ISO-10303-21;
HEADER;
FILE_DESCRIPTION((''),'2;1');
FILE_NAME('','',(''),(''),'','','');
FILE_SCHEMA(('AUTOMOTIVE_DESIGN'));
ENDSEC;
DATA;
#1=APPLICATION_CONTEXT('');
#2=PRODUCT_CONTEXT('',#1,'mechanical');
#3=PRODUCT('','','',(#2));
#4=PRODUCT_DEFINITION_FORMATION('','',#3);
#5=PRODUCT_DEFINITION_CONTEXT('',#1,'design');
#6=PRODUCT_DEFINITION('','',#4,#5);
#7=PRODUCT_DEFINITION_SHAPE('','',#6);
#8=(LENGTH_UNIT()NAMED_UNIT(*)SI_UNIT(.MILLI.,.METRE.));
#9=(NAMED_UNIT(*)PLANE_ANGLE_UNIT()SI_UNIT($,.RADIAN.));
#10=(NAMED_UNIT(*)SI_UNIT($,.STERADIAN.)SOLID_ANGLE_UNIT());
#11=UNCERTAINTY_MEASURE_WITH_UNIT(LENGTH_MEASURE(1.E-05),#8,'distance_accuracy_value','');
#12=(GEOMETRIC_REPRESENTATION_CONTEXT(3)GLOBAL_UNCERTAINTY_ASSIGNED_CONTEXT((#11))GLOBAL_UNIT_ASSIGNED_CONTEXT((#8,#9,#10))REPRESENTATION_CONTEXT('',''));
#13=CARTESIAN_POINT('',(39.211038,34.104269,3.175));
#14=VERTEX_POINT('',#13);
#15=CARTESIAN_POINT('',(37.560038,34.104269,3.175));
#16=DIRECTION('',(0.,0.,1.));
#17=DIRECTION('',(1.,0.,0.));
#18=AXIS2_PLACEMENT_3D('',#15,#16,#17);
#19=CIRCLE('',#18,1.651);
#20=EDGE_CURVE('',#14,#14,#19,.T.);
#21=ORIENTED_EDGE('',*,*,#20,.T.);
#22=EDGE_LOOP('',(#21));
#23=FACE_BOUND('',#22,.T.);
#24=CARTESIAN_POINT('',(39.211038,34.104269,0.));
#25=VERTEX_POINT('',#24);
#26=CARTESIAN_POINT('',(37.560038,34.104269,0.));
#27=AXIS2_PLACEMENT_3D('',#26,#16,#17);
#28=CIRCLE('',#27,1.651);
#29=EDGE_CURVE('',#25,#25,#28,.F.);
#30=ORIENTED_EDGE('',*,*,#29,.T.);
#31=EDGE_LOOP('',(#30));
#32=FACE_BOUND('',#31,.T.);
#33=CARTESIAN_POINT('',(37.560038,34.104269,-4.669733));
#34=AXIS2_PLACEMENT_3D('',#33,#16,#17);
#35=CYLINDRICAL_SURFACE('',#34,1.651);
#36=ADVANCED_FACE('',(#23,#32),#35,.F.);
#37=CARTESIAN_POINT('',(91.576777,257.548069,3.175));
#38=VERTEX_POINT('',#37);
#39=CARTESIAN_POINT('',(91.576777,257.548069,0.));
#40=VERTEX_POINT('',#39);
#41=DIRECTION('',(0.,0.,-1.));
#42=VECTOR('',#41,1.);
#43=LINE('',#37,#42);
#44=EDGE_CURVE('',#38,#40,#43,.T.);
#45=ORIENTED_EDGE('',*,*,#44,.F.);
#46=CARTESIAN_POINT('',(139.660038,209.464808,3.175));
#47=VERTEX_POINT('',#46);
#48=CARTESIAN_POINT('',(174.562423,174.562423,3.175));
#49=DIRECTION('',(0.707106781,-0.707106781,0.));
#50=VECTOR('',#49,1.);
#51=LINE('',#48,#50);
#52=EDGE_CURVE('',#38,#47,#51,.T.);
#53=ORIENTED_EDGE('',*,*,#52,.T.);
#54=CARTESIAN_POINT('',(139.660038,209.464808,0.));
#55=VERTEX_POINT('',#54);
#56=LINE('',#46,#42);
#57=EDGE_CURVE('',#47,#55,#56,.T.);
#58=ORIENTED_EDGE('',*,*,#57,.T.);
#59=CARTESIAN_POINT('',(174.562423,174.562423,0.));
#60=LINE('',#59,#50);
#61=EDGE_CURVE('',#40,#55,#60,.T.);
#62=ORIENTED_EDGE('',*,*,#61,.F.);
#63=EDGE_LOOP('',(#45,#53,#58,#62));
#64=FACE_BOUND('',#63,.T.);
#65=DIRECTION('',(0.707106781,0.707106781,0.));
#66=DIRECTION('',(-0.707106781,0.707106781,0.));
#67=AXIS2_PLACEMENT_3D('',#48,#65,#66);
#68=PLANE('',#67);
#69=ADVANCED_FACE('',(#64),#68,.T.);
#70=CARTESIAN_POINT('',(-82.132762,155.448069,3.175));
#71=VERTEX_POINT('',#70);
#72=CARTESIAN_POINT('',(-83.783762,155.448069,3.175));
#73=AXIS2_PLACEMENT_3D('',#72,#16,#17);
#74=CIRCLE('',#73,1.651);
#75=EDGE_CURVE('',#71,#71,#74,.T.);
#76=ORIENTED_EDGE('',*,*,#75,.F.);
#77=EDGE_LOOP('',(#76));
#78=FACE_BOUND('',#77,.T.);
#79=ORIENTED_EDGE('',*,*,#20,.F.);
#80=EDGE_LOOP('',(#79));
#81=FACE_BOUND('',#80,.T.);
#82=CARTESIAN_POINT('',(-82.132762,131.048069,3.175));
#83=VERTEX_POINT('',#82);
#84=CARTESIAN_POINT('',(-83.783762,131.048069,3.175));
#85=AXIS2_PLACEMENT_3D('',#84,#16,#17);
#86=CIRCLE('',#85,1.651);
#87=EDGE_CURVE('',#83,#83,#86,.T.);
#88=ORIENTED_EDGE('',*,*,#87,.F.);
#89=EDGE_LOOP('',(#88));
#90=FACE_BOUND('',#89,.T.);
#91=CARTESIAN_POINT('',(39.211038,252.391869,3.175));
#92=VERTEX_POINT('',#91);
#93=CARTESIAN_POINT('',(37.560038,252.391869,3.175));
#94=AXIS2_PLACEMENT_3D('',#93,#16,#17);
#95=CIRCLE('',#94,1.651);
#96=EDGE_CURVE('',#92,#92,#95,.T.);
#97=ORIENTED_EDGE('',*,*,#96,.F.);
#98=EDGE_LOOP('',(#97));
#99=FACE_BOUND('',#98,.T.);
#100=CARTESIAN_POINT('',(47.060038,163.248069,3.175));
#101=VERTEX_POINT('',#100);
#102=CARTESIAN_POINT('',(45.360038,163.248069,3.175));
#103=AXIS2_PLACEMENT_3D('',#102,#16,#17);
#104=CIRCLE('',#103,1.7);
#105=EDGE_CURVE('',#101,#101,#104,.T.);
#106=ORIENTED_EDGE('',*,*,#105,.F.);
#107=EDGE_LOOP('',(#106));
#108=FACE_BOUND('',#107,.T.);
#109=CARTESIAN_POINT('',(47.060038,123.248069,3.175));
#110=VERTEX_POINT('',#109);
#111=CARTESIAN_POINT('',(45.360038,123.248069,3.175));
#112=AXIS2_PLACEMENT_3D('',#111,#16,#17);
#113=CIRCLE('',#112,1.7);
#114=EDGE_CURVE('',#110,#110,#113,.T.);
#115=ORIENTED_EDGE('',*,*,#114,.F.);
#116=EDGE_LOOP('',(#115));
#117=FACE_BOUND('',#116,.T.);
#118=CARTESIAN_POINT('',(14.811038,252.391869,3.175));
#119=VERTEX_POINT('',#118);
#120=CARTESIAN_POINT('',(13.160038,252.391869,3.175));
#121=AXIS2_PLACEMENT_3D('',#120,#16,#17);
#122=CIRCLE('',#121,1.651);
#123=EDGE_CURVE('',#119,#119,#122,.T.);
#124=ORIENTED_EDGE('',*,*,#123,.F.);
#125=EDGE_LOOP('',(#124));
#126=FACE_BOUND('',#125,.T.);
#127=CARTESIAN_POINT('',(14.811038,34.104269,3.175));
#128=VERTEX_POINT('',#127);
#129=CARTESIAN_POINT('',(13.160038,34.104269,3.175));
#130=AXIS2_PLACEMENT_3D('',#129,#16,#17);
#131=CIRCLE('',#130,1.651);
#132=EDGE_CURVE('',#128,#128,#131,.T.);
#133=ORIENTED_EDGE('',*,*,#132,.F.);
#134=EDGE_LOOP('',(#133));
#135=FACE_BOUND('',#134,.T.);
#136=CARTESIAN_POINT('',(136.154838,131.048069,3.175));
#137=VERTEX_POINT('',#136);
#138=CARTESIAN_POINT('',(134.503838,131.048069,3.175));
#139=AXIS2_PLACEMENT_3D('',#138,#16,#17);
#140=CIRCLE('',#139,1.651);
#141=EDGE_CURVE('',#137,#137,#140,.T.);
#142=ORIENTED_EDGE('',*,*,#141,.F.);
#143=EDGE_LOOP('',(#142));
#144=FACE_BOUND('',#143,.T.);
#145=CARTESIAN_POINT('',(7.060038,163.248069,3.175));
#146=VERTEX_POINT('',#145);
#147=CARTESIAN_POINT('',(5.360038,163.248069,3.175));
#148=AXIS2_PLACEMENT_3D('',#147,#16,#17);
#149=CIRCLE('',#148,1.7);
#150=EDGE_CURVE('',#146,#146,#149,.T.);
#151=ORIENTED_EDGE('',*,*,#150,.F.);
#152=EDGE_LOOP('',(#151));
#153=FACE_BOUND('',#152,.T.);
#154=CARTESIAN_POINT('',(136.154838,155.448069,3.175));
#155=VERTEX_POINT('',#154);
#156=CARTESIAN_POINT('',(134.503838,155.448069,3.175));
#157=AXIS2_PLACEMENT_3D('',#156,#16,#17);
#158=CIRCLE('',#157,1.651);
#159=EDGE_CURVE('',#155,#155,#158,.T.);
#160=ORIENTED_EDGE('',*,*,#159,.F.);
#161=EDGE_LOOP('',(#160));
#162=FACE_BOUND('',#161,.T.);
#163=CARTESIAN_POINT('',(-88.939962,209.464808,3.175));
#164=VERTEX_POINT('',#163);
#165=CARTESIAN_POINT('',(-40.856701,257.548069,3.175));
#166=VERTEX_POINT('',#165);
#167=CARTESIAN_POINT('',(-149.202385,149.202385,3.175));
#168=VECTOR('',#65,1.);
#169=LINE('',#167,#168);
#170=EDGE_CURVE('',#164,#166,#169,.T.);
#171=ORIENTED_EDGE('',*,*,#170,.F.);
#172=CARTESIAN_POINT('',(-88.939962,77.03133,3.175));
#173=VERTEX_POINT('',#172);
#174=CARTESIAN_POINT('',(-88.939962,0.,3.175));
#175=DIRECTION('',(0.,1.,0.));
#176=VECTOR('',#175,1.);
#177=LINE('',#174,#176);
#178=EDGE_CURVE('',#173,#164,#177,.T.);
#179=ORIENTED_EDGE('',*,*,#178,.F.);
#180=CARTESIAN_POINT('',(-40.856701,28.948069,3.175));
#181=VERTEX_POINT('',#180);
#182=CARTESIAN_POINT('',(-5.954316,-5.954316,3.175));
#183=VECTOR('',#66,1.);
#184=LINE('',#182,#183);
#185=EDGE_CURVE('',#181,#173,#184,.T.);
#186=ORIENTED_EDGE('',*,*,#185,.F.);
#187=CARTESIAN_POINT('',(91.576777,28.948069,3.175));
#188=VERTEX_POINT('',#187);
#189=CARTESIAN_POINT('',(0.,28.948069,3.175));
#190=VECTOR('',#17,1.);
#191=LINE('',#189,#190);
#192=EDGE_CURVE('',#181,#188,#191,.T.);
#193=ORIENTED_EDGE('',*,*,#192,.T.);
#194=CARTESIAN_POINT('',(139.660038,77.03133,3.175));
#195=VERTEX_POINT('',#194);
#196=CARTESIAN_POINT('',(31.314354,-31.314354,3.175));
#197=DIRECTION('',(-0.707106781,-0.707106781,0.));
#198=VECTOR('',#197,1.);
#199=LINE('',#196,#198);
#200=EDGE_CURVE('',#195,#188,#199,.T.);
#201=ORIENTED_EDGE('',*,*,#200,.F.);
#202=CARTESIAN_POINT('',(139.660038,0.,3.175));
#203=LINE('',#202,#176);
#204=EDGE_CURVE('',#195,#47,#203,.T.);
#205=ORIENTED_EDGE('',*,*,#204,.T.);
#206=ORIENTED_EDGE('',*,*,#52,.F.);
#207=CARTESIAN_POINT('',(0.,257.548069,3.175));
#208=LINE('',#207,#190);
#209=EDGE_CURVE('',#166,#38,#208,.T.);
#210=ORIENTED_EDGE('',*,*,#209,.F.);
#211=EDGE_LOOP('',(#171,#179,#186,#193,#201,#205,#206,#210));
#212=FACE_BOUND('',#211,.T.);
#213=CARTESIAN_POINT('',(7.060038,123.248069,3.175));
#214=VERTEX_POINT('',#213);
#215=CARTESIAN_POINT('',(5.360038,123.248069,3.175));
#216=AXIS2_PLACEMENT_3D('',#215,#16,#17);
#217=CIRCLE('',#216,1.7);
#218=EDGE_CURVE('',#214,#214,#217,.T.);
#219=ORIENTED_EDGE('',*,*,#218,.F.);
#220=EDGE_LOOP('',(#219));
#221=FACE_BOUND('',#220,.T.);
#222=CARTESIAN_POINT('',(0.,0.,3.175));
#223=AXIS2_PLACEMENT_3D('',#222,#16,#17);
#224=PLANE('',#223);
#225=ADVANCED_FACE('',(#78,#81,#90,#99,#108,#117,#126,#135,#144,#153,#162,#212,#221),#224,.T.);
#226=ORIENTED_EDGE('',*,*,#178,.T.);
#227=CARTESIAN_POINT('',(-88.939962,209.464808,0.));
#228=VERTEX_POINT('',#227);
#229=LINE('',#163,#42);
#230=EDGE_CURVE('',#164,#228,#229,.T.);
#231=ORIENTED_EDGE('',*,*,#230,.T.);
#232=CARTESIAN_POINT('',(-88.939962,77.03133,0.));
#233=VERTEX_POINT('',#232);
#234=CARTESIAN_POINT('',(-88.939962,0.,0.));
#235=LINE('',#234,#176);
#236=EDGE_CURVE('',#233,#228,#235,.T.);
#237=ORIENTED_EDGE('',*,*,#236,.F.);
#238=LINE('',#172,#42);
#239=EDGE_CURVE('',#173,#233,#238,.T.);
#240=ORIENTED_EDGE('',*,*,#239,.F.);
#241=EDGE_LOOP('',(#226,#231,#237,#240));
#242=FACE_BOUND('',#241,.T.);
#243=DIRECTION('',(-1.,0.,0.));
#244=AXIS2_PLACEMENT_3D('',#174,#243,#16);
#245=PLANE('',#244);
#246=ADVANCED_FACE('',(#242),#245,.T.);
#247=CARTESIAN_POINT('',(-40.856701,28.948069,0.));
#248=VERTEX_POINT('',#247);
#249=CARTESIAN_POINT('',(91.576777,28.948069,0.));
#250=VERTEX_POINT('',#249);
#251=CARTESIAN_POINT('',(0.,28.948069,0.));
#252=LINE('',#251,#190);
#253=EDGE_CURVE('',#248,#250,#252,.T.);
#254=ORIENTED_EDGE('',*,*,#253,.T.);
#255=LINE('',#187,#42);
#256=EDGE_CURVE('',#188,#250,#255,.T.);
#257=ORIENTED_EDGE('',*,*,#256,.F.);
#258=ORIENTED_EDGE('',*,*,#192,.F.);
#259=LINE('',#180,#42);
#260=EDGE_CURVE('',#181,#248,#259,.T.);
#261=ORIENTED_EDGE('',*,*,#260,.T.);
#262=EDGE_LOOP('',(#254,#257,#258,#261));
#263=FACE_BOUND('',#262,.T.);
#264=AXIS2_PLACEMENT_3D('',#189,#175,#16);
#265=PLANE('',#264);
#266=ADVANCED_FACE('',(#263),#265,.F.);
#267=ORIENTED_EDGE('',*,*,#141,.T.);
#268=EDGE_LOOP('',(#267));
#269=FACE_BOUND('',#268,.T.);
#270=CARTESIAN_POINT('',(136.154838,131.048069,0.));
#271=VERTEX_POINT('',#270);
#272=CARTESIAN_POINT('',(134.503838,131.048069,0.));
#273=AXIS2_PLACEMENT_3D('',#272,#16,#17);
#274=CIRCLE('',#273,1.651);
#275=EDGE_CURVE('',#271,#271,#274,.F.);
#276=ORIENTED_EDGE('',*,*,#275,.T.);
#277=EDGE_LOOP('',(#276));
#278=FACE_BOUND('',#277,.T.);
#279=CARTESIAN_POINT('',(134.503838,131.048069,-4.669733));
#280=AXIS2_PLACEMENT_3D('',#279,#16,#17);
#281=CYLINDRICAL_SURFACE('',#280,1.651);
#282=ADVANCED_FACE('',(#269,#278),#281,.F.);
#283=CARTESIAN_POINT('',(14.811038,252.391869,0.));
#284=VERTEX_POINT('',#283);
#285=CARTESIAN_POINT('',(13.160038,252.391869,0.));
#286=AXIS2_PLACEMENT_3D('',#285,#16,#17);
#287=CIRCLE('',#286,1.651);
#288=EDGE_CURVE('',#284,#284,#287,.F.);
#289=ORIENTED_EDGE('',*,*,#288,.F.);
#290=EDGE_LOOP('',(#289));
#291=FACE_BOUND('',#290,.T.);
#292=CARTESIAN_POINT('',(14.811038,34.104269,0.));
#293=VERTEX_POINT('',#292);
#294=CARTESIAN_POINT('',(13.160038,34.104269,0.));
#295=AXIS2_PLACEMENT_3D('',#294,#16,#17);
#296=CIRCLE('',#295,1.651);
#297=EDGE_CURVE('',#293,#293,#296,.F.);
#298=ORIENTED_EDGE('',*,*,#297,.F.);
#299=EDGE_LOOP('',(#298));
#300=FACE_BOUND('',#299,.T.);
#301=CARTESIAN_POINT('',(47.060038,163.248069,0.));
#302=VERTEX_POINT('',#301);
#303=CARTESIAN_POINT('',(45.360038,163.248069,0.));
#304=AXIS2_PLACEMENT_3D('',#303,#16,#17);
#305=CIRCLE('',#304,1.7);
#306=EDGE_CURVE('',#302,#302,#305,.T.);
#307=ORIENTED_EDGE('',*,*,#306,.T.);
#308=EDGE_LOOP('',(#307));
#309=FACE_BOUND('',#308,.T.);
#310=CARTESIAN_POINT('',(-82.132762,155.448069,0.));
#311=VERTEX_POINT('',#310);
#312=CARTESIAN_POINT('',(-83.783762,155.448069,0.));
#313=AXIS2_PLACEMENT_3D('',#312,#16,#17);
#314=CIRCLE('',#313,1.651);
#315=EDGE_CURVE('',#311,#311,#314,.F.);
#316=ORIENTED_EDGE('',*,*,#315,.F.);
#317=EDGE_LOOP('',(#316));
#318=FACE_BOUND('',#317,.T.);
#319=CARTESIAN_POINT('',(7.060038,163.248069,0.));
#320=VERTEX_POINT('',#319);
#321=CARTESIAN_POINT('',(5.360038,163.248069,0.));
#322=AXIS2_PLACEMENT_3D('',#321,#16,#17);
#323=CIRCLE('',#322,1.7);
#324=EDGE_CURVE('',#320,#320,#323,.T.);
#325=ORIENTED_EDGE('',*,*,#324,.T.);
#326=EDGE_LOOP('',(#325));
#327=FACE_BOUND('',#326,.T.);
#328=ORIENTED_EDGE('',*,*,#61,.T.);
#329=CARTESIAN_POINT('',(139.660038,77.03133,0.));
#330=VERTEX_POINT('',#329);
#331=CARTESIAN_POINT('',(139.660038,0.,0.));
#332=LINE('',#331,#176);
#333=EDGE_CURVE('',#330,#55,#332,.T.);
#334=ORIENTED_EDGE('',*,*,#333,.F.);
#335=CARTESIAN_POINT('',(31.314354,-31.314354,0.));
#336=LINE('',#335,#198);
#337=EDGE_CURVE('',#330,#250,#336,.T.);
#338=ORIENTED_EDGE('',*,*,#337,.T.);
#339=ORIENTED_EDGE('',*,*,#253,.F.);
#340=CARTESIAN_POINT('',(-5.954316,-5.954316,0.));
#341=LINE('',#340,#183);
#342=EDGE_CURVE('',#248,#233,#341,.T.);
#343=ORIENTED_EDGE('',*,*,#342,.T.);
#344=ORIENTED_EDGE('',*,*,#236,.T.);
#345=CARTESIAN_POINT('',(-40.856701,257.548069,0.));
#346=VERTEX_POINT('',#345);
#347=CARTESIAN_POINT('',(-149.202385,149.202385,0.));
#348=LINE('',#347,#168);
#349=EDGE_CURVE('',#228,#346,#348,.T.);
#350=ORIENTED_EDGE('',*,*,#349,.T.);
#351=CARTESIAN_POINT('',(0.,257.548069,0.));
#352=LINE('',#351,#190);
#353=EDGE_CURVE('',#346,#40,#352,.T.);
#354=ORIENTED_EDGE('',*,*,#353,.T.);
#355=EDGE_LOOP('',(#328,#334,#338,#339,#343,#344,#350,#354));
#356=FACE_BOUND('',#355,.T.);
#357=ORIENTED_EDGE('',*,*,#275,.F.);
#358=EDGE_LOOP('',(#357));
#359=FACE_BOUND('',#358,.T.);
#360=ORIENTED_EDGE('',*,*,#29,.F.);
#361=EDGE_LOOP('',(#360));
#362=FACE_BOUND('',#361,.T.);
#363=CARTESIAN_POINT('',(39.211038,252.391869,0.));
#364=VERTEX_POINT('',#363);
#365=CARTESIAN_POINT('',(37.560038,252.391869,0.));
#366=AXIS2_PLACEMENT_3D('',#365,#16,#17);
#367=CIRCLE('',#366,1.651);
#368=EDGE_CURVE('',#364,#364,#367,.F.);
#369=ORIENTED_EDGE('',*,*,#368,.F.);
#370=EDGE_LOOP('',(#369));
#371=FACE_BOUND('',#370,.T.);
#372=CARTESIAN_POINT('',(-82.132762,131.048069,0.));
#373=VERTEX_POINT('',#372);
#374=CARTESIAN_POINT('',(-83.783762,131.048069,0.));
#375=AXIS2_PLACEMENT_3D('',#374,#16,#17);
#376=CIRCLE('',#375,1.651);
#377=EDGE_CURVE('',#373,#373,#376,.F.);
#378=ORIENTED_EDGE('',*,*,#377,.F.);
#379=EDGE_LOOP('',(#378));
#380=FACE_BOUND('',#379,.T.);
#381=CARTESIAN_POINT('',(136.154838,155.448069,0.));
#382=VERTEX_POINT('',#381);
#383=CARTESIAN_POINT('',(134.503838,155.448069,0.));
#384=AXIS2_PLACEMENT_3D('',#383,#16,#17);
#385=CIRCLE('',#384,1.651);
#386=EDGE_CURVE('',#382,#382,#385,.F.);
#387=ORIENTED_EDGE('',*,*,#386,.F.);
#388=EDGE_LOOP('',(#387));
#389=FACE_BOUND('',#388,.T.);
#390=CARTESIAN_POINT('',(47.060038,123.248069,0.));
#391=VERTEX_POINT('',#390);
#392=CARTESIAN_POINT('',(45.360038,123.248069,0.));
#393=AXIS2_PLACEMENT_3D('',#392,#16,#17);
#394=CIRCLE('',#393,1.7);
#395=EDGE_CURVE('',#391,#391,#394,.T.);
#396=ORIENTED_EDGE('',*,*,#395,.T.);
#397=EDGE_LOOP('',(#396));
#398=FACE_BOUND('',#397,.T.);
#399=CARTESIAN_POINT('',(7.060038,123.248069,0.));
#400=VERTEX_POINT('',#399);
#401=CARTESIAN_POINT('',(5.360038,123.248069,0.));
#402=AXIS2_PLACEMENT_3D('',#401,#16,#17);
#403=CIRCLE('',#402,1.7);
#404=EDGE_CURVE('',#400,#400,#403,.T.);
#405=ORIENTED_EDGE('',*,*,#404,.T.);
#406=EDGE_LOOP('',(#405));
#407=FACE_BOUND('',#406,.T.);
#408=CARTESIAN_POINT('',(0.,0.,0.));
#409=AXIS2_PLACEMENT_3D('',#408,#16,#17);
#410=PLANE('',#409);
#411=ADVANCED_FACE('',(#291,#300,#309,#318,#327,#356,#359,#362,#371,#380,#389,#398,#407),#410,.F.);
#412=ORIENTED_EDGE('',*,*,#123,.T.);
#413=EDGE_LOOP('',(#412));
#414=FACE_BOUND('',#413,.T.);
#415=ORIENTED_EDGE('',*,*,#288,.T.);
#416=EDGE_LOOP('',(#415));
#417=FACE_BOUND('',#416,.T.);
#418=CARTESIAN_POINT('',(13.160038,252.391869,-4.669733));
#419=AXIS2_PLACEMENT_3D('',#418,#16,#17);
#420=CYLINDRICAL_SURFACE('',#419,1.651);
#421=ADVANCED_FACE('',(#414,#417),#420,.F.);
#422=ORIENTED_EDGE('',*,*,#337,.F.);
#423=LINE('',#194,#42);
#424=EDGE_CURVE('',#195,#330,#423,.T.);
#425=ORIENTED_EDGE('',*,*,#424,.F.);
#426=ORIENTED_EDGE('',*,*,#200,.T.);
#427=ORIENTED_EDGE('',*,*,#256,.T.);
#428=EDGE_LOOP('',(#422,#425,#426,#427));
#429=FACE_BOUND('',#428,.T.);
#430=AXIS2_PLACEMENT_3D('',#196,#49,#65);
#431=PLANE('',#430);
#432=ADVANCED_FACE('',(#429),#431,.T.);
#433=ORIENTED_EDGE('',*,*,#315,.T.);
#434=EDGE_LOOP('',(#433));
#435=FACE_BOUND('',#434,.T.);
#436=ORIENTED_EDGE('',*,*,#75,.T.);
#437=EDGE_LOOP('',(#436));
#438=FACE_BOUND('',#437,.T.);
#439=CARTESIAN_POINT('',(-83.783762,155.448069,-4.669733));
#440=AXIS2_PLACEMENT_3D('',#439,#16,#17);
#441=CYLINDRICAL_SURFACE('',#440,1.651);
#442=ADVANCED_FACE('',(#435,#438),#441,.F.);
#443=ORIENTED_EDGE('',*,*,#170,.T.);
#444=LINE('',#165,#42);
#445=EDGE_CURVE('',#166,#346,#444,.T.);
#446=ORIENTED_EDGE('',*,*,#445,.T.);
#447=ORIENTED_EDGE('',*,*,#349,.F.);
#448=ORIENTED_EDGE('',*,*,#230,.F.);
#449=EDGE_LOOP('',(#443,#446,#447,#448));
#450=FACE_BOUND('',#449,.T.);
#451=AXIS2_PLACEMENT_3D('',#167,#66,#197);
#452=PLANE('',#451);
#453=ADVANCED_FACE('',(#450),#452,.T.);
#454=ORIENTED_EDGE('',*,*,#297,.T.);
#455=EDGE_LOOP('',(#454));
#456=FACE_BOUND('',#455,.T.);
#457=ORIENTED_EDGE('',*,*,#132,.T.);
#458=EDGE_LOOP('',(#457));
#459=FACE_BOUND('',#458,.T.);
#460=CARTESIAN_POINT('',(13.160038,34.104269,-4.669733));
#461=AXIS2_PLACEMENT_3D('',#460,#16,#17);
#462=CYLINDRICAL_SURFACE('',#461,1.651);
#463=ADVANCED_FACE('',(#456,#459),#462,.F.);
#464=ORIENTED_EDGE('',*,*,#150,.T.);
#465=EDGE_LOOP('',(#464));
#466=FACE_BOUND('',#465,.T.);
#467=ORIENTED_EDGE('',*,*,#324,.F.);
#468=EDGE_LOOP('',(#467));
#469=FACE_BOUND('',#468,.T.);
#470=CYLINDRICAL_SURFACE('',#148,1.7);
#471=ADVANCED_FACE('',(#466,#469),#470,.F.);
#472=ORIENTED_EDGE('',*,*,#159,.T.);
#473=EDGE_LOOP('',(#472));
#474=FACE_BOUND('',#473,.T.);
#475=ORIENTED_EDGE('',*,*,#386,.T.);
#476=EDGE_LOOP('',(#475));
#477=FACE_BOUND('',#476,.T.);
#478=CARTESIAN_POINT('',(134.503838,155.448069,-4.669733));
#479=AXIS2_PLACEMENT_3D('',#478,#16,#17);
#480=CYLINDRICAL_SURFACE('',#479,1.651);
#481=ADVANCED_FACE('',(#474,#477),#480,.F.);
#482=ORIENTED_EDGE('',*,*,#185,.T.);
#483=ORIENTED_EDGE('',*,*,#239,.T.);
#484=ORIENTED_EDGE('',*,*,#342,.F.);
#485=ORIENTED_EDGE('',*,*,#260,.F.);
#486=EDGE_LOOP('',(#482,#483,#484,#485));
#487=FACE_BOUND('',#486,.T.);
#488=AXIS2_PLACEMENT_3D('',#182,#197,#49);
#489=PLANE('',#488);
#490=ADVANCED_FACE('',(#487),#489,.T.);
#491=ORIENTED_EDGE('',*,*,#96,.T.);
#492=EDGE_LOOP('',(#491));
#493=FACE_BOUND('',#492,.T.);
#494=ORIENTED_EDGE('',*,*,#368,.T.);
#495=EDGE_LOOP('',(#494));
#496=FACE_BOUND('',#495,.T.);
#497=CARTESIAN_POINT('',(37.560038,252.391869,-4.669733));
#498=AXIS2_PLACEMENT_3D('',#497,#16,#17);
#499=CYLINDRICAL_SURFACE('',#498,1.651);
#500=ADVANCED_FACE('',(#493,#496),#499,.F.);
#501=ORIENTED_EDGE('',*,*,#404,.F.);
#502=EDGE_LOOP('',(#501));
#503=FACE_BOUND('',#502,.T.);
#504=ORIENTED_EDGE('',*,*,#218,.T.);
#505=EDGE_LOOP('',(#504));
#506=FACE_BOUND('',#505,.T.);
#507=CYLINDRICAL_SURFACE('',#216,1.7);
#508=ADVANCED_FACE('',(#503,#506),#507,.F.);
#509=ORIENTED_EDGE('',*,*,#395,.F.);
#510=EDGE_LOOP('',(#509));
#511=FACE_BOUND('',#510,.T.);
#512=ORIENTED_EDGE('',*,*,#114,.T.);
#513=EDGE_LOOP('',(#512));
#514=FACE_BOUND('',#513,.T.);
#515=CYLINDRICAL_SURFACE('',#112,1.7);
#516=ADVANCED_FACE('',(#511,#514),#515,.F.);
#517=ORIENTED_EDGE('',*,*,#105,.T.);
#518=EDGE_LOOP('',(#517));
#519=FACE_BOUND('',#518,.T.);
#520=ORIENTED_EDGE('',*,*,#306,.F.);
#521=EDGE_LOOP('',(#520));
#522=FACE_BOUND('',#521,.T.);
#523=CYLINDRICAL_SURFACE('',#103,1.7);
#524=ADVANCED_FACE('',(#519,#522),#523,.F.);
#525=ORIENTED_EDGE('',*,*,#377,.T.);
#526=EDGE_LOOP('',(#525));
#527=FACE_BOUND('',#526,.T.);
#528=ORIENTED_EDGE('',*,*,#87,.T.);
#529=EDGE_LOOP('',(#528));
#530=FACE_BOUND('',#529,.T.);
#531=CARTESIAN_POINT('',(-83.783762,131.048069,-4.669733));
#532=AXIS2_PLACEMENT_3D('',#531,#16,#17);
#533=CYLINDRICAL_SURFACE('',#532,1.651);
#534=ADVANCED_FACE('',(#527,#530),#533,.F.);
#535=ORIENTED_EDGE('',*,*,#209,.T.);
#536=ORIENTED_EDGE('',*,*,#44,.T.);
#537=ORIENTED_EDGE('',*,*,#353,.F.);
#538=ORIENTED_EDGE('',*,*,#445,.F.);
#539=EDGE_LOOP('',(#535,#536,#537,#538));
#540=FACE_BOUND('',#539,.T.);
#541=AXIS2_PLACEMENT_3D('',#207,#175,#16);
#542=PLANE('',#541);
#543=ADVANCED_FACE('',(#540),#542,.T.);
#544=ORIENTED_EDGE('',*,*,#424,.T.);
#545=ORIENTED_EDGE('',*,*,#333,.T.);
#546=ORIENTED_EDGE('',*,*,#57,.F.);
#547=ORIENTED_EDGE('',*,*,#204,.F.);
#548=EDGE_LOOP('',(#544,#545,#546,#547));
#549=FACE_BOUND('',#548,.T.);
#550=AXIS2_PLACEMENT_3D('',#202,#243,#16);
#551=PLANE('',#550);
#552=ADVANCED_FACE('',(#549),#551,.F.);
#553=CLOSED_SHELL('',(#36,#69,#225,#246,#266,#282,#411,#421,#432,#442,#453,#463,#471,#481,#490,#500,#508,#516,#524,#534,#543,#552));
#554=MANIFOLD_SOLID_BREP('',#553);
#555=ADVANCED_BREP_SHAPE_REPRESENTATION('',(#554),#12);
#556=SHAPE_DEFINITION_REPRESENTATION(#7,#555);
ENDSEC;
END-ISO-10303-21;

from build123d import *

# Parameters (mm, degrees)
BOSS_EXTRUDE1_DEPTH  = 3.175
M3_CLEARANCE_HOLE1_D = 3.4
SKETCH6_R            = 1.651
CUT_EXTRUDE1_DEPTH   = 3.175


with BuildPart() as part:
    # Sketch1 → Boss-Extrude1 (new body)
    with BuildSketch(Plane.XY):
        Polygon((-88.939961868, 77.031330301), (-40.856700747, 28.948069181), (91.576777011, 28.948069181), (139.660038132, 77.031330301), (139.660038132, 209.46480806), (91.576777011, 257.548069181), (-40.856700747, 257.548069181), (-88.939961868, 209.46480806), align=None)
    extrude(amount=BOSS_EXTRUDE1_DEPTH)

    # M3 Clearance Hole1 (through all)
    with Locations(Plane.XY.offset(3.175)):
        with Locations((5.360038132, 163.248069181), (45.360038132, 123.248069181), (45.360038132, 163.248069181), (5.360038132, 123.248069181)):
            Hole(M3_CLEARANCE_HOLE1_D / 2)

    # Sketch6 → Cut-Extrude1 (cut)
    with BuildSketch(Plane.XY.offset(3.175)):
        with Locations((37.560038132, 252.391869181)):
            Circle(SKETCH6_R)
        with Locations((13.160038132, 252.391869181)):
            Circle(SKETCH6_R)
        with Locations((-83.783761868, 155.448069181)):
            Circle(SKETCH6_R)
        with Locations((-83.783761868, 131.048069181)):
            Circle(SKETCH6_R)
        with Locations((13.160038132, 34.104269181)):
            Circle(SKETCH6_R)
        with Locations((37.560038132, 34.104269181)):
            Circle(SKETCH6_R)
        with Locations((134.503838132, 131.048069181)):
            Circle(SKETCH6_R)
        with Locations((134.503838132, 155.448069181)):
            Circle(SKETCH6_R)
    extrude(amount=-CUT_EXTRUDE1_DEPTH, mode=Mode.SUBTRACT)


solid = part.part
